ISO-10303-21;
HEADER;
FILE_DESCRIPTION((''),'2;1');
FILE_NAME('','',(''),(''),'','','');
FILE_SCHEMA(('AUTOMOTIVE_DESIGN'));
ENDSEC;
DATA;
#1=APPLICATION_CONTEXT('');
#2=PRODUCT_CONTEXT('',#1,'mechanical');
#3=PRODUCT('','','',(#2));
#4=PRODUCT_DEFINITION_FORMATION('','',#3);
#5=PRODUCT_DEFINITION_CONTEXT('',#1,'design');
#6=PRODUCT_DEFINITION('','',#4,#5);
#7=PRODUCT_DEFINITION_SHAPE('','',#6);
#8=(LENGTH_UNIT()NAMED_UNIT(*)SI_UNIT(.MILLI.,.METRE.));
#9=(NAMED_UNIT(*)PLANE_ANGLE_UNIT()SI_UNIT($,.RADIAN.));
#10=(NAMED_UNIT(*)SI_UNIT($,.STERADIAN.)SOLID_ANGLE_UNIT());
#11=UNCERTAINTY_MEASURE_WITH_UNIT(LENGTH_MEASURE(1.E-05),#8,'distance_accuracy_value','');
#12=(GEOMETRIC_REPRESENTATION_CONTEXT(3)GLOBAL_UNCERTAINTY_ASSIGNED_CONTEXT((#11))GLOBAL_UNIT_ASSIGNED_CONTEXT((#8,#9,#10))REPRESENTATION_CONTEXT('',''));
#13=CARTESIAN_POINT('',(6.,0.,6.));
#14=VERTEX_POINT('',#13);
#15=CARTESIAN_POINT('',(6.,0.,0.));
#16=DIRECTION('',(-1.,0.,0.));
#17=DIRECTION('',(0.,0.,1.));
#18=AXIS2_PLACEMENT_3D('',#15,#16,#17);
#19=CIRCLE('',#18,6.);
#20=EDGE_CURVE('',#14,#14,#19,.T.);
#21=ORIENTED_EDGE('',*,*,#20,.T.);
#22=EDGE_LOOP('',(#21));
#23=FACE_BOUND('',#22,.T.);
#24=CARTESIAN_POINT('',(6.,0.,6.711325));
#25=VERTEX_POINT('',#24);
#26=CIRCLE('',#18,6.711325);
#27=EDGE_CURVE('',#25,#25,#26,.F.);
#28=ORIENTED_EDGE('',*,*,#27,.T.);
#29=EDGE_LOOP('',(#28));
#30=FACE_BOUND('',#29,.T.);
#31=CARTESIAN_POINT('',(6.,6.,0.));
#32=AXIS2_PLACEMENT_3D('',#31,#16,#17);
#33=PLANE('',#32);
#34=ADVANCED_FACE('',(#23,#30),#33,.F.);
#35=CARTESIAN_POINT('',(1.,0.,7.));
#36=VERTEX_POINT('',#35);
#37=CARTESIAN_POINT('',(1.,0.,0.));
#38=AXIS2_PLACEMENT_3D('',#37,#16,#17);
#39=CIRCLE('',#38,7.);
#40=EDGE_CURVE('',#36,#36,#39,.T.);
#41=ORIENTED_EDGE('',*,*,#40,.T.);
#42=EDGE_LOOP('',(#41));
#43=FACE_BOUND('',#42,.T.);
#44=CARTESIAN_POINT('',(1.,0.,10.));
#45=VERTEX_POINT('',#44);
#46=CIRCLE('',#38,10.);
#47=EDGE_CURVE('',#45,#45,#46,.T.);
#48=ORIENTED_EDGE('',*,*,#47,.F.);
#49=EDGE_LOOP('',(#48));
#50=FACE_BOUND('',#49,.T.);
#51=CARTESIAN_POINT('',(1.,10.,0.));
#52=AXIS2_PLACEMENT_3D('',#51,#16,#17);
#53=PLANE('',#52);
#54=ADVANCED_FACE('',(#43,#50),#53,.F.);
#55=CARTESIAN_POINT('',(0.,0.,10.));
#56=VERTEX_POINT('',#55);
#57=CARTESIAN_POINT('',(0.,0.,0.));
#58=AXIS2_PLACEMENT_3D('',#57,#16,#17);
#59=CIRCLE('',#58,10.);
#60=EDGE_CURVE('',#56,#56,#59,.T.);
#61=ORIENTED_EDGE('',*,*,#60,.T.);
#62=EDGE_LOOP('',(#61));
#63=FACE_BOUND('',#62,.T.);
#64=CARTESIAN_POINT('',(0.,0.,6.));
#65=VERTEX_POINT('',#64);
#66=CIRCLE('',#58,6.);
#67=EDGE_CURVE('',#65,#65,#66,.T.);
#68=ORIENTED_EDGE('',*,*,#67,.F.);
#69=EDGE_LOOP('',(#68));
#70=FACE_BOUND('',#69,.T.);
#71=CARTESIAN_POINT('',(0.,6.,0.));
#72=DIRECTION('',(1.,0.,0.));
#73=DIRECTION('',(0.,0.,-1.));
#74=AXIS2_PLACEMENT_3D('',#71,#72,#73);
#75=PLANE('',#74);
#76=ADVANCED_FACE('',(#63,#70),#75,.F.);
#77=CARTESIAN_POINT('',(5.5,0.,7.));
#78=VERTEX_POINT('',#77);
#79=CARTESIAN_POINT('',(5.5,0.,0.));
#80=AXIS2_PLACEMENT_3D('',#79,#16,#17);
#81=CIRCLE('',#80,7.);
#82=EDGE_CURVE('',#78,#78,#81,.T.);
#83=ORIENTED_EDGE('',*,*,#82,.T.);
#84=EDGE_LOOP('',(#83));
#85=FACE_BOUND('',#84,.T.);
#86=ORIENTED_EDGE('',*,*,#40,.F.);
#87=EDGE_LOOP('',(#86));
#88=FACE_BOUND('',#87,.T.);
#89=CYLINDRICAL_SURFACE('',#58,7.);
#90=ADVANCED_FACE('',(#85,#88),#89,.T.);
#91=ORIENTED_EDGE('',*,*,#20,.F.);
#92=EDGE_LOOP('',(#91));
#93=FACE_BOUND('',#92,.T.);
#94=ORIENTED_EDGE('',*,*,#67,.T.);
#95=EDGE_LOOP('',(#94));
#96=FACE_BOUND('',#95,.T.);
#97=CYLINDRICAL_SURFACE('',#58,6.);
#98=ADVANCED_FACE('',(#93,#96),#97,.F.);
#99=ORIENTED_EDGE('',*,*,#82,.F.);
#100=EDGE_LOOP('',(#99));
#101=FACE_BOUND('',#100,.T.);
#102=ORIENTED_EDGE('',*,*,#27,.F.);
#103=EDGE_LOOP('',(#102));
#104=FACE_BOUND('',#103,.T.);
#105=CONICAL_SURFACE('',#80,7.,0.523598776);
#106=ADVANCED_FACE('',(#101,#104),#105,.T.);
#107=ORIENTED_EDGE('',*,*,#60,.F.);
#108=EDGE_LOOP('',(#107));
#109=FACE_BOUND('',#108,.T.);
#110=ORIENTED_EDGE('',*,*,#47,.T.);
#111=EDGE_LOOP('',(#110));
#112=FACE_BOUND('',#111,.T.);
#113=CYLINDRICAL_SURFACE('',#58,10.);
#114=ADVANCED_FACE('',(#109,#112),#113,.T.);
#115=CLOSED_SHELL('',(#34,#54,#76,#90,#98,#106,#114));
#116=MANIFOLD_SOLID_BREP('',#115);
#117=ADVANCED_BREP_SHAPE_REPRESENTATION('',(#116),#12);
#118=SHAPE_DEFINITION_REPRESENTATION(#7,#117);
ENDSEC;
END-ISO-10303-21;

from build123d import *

# Parameters (mm, degrees)
SFAZOWANIE1_SIZE  = 0.5
SFAZOWANIE1_SIZE2 = 0.288675135


with BuildPart() as part:
    # Szkic1 → Obrót1 (revolve)
    with BuildSketch(Plane.XY):
        Polygon((0, 6), (6, 6), (6, 7), (1, 7), (1, 10), (0, 10), align=None)
    revolve(axis=Axis((0, 0, 0), (1, 0, 0)))

    # Sfazowanie1
    sfazowanie1_edges = [part.edges().sort_by_distance(p)[0] for p in [
        (6, -7, 0),
    ]]
    sfazowanie1_side = [part.faces().sort_by_distance(p)[0] for p in [
        (3.5, -7, 0),
    ]]
    chamfer(sfazowanie1_edges, length=SFAZOWANIE1_SIZE, length2=SFAZOWANIE1_SIZE2, reference=sfazowanie1_side[0])


solid = part.part
